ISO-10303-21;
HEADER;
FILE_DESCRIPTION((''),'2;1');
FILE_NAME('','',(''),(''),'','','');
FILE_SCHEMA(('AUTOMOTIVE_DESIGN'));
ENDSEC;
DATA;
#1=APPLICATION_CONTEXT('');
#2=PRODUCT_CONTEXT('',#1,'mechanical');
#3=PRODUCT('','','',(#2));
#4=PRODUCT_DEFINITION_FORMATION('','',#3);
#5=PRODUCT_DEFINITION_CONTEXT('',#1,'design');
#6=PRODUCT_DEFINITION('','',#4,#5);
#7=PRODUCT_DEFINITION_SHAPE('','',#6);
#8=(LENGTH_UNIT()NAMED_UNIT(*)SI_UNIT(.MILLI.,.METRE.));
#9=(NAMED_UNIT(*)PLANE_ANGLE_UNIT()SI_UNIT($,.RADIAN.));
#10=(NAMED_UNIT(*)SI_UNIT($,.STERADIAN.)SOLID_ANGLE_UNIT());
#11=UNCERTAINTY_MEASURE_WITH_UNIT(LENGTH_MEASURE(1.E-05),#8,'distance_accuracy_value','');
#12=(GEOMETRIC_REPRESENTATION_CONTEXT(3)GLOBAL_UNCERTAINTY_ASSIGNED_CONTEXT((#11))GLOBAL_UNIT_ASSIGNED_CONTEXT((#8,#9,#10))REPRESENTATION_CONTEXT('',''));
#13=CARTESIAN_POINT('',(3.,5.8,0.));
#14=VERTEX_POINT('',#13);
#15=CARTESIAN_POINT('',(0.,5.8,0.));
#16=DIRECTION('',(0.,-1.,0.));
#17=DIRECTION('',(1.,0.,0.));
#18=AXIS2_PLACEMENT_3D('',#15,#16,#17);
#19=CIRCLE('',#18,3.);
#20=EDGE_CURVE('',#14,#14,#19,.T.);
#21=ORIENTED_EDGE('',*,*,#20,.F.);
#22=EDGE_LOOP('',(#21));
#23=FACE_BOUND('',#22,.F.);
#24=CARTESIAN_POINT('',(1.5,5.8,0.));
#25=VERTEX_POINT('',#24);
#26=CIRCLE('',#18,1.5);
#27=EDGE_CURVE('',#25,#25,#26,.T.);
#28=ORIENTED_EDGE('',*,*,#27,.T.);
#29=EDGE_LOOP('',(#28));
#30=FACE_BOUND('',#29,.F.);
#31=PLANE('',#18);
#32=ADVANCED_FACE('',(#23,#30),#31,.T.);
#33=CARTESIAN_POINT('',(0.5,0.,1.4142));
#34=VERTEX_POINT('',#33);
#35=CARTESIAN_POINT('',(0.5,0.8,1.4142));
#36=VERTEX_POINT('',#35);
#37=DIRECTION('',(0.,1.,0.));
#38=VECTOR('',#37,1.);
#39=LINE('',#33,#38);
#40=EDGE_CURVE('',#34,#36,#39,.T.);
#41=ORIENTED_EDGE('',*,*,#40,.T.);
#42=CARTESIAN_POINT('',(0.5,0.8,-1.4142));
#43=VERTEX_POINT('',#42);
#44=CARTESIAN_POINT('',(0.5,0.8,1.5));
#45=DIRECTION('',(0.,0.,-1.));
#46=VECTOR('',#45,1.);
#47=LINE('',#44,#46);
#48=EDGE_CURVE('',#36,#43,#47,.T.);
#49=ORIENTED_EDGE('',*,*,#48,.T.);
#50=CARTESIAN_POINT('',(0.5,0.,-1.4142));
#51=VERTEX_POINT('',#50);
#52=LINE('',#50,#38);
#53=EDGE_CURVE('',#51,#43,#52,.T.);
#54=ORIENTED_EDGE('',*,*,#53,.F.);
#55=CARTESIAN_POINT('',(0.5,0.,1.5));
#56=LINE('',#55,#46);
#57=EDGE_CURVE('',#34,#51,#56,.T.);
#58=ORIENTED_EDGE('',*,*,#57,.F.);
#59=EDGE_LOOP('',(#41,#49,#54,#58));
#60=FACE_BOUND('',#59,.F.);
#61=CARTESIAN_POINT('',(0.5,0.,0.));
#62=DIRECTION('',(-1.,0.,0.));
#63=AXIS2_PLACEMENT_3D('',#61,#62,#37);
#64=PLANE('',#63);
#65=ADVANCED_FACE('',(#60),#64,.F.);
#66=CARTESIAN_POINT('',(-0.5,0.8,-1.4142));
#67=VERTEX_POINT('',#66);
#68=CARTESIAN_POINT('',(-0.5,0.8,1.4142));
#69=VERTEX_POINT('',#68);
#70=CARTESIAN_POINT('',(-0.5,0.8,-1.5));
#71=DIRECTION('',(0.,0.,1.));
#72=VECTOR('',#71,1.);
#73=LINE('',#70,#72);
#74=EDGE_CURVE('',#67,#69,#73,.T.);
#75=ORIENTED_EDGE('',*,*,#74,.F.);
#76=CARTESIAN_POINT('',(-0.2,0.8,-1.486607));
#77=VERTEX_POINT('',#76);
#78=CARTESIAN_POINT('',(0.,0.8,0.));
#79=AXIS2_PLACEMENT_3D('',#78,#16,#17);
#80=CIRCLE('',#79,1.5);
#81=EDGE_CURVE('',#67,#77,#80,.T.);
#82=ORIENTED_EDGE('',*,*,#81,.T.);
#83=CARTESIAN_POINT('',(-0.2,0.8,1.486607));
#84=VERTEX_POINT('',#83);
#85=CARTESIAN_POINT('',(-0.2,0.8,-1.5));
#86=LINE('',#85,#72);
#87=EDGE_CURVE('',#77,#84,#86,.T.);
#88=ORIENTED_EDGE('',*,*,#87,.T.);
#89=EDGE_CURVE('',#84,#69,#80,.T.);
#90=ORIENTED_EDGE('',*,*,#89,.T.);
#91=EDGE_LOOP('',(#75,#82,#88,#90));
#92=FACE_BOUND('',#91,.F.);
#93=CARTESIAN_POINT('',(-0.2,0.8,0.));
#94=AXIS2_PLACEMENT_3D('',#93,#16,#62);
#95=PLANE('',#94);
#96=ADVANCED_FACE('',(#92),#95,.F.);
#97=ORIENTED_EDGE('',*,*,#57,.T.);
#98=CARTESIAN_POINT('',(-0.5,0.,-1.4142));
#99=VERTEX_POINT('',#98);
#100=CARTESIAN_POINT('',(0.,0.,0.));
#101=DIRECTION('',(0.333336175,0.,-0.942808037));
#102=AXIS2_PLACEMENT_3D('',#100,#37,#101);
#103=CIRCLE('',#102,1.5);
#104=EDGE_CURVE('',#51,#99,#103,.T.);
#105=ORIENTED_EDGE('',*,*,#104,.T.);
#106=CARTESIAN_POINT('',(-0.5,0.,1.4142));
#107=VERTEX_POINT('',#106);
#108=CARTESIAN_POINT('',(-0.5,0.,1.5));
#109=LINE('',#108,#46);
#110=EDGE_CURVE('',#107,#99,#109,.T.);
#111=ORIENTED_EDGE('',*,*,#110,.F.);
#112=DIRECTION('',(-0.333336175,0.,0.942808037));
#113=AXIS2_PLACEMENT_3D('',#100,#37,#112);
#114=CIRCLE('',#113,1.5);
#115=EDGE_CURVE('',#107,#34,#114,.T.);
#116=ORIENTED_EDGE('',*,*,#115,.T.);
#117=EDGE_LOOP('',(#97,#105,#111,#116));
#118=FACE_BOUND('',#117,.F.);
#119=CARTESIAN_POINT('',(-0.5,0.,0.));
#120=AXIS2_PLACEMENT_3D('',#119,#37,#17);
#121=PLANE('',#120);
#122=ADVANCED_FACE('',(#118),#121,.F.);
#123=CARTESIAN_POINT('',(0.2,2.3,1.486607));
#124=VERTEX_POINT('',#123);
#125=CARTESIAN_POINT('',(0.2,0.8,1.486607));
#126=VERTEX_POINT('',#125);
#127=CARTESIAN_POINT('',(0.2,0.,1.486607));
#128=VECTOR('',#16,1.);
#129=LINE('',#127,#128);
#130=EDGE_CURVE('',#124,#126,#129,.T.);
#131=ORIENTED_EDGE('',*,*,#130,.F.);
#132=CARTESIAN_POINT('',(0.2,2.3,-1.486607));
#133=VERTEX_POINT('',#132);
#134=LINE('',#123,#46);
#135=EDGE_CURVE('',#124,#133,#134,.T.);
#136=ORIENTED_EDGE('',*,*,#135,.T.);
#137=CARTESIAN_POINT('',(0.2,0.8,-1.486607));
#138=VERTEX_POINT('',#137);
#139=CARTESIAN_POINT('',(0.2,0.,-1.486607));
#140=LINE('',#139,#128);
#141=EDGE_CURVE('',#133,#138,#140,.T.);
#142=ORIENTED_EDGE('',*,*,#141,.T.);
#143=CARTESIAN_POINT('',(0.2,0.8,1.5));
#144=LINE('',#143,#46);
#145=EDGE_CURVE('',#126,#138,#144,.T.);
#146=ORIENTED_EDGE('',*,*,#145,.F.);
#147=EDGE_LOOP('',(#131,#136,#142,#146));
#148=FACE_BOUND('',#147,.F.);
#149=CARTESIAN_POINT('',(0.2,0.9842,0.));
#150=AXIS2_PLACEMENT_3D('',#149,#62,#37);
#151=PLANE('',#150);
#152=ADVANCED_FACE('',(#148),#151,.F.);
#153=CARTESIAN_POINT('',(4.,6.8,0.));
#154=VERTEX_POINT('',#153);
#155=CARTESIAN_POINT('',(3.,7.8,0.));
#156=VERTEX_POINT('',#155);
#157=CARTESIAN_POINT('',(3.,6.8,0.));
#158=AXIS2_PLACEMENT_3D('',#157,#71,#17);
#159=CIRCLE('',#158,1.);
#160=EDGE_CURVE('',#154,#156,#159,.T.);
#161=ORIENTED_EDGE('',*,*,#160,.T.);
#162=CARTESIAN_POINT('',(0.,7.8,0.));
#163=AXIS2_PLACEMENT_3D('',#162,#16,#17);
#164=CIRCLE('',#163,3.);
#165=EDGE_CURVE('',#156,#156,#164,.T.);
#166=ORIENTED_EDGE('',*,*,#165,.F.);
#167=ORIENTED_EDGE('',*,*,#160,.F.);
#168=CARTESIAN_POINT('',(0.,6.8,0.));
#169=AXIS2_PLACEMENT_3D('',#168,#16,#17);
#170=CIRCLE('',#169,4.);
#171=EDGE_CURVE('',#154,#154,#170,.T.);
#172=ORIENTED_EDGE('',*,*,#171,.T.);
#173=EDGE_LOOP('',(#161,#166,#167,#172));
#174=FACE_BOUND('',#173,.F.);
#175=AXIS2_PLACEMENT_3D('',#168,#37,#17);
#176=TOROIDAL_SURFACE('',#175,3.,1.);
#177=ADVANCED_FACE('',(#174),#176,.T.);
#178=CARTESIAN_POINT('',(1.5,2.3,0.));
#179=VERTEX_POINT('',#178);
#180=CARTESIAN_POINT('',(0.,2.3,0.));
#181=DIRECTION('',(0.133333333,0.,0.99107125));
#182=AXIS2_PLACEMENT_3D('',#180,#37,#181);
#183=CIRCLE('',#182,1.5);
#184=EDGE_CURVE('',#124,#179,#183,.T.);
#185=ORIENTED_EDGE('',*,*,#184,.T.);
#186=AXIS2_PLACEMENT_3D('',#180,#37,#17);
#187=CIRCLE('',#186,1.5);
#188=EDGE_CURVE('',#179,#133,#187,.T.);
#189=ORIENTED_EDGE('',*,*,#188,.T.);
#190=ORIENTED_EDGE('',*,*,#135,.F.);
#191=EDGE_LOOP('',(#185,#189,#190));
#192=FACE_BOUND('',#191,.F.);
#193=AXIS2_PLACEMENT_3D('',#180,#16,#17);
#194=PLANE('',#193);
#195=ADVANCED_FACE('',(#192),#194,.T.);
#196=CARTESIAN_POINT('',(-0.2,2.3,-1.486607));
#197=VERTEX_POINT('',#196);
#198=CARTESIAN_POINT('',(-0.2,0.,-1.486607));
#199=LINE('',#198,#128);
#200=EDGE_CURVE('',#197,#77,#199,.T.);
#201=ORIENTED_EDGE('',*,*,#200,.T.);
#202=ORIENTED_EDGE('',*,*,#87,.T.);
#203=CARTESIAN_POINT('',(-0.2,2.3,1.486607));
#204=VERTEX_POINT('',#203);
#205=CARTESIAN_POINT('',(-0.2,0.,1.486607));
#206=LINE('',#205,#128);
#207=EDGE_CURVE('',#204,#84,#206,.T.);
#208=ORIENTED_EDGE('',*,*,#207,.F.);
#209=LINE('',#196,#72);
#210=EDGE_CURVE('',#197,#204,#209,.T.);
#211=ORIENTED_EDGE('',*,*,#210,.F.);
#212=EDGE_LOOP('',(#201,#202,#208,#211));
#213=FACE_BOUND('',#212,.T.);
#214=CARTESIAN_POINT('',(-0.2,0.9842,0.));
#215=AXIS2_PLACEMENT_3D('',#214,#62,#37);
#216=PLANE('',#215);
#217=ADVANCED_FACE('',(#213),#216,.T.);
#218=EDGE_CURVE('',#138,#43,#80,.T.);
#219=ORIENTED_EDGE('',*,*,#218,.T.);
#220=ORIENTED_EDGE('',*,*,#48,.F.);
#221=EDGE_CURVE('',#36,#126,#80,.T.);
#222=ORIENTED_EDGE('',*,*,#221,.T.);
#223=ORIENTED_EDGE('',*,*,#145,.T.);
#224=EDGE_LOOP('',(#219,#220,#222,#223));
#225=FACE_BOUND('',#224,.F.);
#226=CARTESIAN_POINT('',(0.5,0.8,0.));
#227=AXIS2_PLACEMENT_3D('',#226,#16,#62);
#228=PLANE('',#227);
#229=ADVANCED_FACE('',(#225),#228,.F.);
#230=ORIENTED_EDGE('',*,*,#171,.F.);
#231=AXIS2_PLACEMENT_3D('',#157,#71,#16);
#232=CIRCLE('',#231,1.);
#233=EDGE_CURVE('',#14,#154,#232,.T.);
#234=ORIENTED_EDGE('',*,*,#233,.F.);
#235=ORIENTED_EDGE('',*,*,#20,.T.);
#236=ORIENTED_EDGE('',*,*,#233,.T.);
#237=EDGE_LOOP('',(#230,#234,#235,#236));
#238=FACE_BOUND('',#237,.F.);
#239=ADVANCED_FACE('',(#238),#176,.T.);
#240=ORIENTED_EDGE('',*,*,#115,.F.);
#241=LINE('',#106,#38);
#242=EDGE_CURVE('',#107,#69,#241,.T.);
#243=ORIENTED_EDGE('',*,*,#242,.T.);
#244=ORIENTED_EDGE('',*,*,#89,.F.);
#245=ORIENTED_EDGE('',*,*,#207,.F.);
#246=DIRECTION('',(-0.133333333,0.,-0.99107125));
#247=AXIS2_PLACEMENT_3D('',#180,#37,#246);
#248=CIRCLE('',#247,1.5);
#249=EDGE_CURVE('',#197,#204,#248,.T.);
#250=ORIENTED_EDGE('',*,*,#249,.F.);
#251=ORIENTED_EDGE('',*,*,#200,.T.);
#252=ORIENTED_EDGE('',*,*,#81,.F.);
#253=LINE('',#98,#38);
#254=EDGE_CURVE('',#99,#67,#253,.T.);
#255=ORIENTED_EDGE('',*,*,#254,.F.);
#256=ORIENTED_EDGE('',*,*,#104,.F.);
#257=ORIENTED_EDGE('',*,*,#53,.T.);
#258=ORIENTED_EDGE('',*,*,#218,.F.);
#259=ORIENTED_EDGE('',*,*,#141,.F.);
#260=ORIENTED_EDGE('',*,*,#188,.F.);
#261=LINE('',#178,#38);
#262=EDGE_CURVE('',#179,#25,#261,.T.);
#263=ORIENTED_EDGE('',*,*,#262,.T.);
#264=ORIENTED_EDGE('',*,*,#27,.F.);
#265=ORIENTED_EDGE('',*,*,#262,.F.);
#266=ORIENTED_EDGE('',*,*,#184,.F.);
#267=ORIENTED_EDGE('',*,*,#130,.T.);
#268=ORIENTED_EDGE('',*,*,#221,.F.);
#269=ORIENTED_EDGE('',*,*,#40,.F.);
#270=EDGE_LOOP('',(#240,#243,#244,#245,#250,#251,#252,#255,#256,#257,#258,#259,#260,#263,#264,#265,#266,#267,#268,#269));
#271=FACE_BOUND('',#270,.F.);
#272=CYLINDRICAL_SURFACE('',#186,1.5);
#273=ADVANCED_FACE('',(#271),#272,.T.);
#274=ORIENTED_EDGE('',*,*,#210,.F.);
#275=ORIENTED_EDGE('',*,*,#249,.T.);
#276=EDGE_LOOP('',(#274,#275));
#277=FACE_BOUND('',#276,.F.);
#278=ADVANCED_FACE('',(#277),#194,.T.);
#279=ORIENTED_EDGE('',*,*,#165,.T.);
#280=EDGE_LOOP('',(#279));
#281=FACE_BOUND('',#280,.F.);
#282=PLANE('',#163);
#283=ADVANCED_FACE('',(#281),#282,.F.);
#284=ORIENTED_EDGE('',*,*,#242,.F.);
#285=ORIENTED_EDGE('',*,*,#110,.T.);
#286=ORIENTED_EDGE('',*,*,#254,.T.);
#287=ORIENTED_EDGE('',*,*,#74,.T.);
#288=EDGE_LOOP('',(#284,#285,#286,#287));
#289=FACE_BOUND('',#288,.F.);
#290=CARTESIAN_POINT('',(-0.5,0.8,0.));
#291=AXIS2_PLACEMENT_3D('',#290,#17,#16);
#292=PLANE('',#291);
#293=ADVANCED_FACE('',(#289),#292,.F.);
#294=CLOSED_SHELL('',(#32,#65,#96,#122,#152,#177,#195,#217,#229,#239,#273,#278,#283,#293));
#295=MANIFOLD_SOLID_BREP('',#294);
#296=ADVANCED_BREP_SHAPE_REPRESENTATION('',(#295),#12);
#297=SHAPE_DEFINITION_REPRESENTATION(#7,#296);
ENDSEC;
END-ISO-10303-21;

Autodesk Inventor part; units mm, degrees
ref_plane "YZ Plane" through (0, 0, 0) normal (1, 0, 0) x (0, 1, 0)
ref_plane "XZ Plane" through (0, 0, 0) normal (0, 1, 0) x (-1, 0, 0)
ref_plane "XY Plane" through (0, 0, 0) normal (0, 0, 1) x (1, 0, 0)
sketch "Sketch1" plane through (0, 0, 0) normal (0, 0, 1) x (1, 0, 0)
  line L0 (-0.2, 0.9842) -> (-0.2, 0.8)
  line L1 (-0.2, 0.8) -> (-0.5, 0.8)
  line L2 (-0.5, 0.8) -> (-0.5, 0)
  line L3 (-0.5, 0) -> (0.5, 0)
  line L4 (0.5, 0) -> (0.5, 0.8)
  line L5 (0.5, 0.8) -> (0.2, 0.8)
  line L6 (0.2, 0.8) -> (0.2, 0.9842)
  line L7 (0.2, 0.9842) -> (0.2, 2.3)
  line L8 (0.2, 2.3) -> (1.5, 2.3)
  line L9 (1.5, 2.3) -> (1.5, 5.8)
  line L10 (1.5, 5.8) -> (-1.5, 5.8)
  line L11 (-1.5, 5.8) -> (-1.5, 2.3)
  line L12 (-1.5, 2.3) -> (-0.2, 2.3)
  line L13 (-0.2, 0.9842) -> (-0.2, 2.3)
  line L14 (0, 5.8) -> (0, 0) construction
  line L15 (-0.2, 2.3) -> (0.2, 2.3)
  line L16 (0, 5.8) -> (0, 2.3)
  line L17 (0, 5.8) -> (3, 5.8)
  line L18 (4, 6.8) -> (4, 6.8)
  line L19 (3, 7.8) -> (0, 7.8)
  line L20 (0, 7.8) -> (0, 5.8)
  arc A0 (4, 6.8) -> (3, 7.8) centre (3, 6.8) ccw
  arc A1 (3, 5.8) -> (4, 6.8) centre (3, 6.8) ccw
  point P0 (4, 7.8)
  point P1 (4, 5.8)
  point P2 (4, 6.8)
  dimension "d0" = 0.4
  dimension "d1" = 3
  dimension "d2" = 1
  dimension "d3" = 0.8
  dimension "d4" = 1.5
  dimension "d5" = 3.5
  dimension "d12" = 2
  dimension "d13" = 1
  dimension "d14" = 1
  dimension "d15" = 3
extrude "Extrusion1" add sketch "Sketch1" along normal mid plane 3 contours L13 L15 L7 L6 L5 L4 L3 L2 L1 L0
revolve "Revolution1" add sketch "Sketch1" angle 360 about axis through (0, 5.8, 0) along (0, -1, 0) contours L16 L10 L9 L8 L15
sketch "Sketch2" plane through (-0.5, 0, 1.5) normal (0, -1, 0) x (1, 0, 0)
  circle A0 centre (0.5, -1.5) radius 1.5
  arc A1 (0.3, -0.0134) -> (0.3, -2.9866) centre (0.5, -1.5) ccw projected
  line L0 (0, -0.0858) -> (0, 0)
  line L1 (0, 0) -> (0.5, 0)
  line L2 (0, 0) -> (1, 0) projected
  line L3 (1, 0) -> (0.7, 0) projected
  line L4 (0.5, 0) -> (1, 0)
  line L5 (1, 0) -> (1, -0.0858)
  line L6 (0, -3) -> (0, 0) projected
  line L7 (0, -2.9142) -> (0, -3)
  line L8 (0.3, -3) -> (0.5, -3) projected
  line L9 (0, -3) -> (0.5, -3)
  line L10 (1, -3) -> (1, 0) projected
  line L11 (0.5, -3) -> (1, -3)
  line L12 (1, -3) -> (1, -2.9142)
  dimension "d9" = 3
extrude "Extrusion2" cut sketch "Sketch2" against normal up to surface (2.3 mm away) contours A0 L2 L5 | L10 L11 A0 | A0 L0 L1 | L8 L9 L6 A0
revolve "Revolution2" add sketch "Sketch1" angle 360 about axis through (0, 7.8, 0) along (0, -1, 0) contours L20 L19 A0 A1 L17 L10
properties part number "Taster_Top"
